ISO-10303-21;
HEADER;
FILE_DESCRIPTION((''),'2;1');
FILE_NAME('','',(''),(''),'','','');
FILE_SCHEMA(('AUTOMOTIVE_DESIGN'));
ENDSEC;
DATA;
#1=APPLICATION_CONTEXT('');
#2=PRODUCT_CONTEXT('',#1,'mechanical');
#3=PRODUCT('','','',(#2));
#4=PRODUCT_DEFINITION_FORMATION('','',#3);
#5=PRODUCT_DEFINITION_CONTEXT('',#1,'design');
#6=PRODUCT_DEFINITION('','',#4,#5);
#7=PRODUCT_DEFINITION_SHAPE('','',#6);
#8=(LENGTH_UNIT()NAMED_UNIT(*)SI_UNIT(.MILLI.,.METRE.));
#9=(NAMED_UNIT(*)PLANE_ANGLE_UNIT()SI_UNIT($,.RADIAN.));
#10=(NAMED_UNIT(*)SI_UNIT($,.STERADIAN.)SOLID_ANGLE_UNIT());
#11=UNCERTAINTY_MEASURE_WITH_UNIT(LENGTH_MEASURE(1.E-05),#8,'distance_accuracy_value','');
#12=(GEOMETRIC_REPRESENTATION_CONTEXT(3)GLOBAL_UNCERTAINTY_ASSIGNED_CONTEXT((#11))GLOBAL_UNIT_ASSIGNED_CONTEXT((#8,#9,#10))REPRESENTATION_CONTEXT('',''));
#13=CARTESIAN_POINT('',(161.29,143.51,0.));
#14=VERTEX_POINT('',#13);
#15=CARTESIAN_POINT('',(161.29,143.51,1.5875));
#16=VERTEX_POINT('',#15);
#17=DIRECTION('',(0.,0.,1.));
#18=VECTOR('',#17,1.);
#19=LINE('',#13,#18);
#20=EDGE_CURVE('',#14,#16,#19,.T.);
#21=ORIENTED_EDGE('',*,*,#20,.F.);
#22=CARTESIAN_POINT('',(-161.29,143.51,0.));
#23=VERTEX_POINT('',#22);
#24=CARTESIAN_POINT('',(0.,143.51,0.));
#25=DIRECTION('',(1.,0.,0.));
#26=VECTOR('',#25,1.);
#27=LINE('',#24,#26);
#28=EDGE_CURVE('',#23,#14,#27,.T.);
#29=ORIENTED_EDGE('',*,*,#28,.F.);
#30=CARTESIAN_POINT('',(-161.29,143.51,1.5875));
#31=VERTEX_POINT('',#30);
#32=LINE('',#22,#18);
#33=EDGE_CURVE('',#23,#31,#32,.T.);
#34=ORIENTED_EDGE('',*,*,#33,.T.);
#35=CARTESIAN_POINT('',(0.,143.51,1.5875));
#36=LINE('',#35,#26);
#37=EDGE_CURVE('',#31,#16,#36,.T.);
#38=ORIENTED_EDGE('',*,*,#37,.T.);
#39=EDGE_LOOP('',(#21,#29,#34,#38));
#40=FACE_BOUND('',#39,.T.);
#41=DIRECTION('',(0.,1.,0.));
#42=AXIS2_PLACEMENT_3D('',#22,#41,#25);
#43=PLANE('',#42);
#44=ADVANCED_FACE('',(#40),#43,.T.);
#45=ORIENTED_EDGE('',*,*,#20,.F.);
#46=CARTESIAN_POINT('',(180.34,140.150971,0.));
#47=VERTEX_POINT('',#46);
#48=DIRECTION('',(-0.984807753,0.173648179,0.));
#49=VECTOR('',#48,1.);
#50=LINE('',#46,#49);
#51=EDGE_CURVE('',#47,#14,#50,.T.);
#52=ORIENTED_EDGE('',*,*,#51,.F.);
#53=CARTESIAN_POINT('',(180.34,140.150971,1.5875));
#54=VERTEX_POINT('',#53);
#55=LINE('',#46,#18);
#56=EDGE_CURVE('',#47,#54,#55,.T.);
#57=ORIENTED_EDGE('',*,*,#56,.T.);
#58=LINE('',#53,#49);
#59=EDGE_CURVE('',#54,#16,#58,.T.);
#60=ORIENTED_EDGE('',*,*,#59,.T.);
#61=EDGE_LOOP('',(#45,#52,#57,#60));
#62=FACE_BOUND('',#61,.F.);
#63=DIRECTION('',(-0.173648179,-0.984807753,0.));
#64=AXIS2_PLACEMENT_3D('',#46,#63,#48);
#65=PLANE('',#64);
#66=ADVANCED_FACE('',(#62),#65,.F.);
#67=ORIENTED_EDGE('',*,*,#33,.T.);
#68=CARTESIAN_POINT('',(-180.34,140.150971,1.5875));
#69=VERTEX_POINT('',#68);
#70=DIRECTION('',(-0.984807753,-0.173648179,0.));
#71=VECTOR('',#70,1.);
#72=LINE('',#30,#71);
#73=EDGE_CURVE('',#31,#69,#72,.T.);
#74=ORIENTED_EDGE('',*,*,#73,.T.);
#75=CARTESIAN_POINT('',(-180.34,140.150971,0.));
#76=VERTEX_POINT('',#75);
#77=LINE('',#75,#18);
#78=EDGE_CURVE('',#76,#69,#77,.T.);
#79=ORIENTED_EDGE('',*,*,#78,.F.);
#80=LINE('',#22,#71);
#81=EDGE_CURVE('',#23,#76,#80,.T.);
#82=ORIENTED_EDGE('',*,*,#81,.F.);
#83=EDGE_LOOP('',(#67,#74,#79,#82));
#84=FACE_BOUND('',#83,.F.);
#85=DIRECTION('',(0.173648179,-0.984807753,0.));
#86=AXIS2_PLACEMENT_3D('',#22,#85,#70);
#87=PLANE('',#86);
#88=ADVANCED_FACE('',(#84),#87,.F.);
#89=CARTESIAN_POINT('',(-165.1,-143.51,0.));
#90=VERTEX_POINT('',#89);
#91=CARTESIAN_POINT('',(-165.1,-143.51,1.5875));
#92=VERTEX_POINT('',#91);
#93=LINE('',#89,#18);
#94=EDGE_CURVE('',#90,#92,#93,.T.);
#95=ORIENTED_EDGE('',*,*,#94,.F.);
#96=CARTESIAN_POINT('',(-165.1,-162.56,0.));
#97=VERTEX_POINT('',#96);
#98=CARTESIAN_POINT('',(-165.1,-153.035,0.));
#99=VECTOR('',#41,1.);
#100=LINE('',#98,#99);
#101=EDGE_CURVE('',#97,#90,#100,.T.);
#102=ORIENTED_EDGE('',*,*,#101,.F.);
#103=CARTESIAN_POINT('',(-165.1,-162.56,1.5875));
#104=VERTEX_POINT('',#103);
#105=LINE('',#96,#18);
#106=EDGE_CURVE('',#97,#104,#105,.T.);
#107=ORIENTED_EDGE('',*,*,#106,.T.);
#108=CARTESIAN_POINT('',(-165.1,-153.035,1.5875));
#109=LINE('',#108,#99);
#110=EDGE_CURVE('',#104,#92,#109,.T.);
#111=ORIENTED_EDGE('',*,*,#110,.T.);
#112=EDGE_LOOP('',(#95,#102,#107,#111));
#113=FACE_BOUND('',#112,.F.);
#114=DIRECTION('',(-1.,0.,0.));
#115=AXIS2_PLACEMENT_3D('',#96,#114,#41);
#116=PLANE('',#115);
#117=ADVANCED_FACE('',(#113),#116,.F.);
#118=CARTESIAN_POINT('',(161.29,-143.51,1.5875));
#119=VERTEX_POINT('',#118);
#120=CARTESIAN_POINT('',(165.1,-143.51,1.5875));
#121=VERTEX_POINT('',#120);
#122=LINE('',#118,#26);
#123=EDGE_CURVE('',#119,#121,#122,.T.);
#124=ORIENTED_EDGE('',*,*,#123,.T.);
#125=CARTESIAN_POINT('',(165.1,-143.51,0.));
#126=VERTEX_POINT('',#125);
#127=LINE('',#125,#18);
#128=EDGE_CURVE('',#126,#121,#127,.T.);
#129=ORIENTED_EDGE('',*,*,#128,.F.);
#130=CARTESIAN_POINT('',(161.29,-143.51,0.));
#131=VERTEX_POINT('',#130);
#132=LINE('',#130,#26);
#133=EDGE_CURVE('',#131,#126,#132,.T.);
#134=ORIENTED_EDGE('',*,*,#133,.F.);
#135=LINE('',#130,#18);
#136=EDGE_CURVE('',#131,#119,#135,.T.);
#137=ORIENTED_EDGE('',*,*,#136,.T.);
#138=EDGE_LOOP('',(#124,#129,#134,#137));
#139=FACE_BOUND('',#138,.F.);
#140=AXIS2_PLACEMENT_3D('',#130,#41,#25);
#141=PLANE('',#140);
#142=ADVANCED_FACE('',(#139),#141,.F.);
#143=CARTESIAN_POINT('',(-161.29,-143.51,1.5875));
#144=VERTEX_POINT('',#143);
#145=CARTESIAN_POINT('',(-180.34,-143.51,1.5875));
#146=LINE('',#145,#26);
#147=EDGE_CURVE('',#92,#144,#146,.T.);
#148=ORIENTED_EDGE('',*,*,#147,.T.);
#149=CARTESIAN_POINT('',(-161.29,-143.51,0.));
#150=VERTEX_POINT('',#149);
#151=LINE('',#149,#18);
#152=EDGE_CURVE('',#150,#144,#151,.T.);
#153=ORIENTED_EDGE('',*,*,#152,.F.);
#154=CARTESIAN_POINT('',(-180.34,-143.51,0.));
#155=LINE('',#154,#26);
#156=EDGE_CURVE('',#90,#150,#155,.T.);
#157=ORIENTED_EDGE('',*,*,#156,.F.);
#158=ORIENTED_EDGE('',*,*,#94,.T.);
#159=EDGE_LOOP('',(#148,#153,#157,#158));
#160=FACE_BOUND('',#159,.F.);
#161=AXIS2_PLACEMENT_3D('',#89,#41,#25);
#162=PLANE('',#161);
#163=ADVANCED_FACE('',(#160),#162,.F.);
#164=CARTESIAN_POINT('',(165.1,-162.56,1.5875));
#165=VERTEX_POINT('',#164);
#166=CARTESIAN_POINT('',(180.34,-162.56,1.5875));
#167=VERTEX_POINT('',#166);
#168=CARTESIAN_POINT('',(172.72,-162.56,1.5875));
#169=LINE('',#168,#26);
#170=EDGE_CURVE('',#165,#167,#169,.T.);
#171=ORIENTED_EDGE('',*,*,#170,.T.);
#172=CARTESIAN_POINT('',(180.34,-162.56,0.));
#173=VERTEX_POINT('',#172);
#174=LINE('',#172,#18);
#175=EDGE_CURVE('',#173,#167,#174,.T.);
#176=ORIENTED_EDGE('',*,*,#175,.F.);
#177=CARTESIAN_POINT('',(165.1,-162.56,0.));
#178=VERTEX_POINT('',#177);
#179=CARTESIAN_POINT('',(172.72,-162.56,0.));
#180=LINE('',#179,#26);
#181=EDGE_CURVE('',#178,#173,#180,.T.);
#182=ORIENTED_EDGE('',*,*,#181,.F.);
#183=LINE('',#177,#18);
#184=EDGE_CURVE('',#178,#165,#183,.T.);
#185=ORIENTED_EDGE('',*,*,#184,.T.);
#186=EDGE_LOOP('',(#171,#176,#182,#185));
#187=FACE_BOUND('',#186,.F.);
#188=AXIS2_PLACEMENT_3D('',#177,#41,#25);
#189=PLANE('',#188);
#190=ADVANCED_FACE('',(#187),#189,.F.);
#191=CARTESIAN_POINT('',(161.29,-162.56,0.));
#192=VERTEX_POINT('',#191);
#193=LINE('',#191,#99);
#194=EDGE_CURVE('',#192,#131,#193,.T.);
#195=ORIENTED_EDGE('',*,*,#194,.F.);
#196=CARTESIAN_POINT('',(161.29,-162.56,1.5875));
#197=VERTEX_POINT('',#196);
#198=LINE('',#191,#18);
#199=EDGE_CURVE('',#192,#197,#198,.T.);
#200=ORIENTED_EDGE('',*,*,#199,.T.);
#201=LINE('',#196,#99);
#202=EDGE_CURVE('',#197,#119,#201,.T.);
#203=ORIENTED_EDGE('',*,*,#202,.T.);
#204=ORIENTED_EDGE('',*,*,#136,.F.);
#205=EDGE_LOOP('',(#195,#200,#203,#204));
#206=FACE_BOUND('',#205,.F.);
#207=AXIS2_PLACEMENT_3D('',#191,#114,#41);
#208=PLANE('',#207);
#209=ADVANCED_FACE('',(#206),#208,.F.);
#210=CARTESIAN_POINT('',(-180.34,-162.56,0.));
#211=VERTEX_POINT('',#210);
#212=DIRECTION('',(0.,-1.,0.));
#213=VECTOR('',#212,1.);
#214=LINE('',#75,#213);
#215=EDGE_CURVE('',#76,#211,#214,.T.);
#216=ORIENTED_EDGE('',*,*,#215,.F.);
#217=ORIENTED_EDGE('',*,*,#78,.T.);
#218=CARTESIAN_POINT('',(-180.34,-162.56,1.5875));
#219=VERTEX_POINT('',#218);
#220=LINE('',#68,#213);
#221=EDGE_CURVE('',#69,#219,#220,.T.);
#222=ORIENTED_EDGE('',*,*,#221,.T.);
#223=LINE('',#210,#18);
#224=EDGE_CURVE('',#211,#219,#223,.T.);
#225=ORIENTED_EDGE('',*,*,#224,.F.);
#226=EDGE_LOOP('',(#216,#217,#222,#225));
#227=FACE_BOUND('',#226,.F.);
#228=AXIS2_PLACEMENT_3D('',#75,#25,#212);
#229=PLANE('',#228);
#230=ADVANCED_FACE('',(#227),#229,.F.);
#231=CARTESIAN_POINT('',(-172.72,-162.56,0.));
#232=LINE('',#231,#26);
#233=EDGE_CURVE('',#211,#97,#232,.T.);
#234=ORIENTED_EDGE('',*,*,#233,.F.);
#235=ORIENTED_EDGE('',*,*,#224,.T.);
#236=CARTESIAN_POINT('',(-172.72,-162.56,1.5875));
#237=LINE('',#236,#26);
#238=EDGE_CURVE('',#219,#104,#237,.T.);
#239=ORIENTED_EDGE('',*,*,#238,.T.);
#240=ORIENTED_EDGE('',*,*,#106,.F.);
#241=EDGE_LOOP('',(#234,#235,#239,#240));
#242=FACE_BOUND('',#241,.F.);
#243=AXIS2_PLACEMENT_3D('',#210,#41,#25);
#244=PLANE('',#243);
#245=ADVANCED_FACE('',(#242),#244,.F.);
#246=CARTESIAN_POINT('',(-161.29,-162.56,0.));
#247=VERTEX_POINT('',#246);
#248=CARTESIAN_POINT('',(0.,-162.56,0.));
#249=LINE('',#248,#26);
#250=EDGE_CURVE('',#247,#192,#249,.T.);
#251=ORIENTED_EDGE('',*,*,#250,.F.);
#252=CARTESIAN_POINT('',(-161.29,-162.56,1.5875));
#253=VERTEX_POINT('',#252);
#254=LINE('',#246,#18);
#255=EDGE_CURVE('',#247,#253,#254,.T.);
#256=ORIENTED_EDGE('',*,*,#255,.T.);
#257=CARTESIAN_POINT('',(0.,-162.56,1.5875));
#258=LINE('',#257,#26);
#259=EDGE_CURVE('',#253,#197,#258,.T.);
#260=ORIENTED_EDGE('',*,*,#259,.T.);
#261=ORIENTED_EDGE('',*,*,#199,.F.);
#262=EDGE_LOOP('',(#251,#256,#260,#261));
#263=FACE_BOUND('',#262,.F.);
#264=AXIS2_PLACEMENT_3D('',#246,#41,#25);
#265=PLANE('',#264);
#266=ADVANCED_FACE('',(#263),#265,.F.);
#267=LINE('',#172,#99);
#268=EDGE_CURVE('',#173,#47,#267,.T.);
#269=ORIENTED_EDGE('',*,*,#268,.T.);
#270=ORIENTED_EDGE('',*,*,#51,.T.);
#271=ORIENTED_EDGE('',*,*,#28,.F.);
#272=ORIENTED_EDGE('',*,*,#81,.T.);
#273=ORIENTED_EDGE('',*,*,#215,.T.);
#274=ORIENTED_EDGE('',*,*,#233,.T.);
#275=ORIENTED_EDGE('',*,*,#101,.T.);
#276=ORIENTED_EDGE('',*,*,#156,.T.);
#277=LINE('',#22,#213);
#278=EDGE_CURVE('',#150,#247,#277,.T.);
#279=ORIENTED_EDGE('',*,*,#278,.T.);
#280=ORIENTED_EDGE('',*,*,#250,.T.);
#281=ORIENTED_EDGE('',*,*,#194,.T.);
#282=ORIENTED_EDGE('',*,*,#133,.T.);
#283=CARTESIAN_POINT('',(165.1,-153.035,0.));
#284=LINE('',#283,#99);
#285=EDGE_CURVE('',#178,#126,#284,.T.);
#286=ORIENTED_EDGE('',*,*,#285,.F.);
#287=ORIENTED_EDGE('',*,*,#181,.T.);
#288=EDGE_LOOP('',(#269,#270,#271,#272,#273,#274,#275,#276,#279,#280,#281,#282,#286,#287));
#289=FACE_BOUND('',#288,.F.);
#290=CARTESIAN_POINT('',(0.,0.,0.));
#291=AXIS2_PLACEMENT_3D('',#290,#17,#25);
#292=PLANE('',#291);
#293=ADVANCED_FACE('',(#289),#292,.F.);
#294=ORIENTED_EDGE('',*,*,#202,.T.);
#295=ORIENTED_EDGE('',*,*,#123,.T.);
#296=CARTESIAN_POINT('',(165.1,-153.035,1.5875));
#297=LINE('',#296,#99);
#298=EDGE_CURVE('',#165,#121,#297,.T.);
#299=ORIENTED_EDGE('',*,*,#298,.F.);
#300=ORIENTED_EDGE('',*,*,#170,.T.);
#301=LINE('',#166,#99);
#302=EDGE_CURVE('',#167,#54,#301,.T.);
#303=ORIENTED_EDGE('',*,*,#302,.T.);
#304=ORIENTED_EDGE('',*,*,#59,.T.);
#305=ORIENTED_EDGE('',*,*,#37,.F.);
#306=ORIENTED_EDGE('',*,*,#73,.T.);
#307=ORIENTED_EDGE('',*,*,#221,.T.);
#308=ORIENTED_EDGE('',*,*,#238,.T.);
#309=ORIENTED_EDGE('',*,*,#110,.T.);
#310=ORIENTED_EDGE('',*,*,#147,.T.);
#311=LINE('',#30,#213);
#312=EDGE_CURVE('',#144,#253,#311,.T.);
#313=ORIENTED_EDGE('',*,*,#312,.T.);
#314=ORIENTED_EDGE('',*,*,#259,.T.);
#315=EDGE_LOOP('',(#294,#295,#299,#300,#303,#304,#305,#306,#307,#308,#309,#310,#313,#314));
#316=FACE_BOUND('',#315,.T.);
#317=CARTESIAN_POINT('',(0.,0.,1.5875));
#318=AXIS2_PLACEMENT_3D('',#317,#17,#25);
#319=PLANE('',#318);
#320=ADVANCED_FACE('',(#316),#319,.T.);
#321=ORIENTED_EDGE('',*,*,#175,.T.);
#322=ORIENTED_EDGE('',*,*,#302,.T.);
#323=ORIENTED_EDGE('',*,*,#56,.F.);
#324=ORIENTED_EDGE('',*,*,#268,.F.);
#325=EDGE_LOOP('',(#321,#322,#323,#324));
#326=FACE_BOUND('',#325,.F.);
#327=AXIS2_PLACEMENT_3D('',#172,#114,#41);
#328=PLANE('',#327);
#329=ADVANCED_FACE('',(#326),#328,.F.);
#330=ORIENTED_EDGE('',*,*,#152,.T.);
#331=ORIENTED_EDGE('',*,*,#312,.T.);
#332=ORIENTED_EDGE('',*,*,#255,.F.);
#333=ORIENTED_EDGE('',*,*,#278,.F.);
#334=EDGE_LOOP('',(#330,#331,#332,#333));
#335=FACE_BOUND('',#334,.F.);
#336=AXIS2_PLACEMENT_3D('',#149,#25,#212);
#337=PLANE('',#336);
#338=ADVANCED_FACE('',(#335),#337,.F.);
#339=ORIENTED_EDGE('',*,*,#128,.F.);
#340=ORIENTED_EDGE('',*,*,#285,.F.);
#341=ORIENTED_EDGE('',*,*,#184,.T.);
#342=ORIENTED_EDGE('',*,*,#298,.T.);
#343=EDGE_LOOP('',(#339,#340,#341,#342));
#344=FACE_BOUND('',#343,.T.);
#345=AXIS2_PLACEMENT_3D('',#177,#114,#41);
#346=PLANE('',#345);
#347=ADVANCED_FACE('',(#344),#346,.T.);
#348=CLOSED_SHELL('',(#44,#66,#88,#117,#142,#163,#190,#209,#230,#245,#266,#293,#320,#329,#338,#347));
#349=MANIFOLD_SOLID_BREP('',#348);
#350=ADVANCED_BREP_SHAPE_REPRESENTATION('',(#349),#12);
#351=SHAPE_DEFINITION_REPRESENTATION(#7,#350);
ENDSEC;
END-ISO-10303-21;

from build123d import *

# Parameters (mm, degrees)
F0_W     = 322.58
F0_H     = 287.02
F0_H_2   = 19.05
F0_W_2   = 15.24
F1_DEPTH = 1.5875


with BuildPart() as f1:
    # F0 (on Top) → F1 (new body)
    with BuildSketch(Plane.XY):
        Rectangle(F0_W, F0_H)
        with Locations((0, -153.035)):
            Rectangle(F0_W, F0_H_2)
        Polygon((-161.29, -143.51), (-161.29, 143.51), (-180.34, 140.150971), (-180.34, -143.51), (-165.1, -143.51), align=None)
        with Locations((-172.72, -153.035)):
            Rectangle(F0_W_2, F0_H_2)
        with Locations((172.72, -153.035)):
            Rectangle(F0_W_2, F0_H_2)
        Polygon((180.34, 140.150971), (161.29, 143.51), (161.29, -143.51), (165.1, -143.51), (180.34, -143.51), align=None)
    extrude(amount=F1_DEPTH)


solid = f1.part
